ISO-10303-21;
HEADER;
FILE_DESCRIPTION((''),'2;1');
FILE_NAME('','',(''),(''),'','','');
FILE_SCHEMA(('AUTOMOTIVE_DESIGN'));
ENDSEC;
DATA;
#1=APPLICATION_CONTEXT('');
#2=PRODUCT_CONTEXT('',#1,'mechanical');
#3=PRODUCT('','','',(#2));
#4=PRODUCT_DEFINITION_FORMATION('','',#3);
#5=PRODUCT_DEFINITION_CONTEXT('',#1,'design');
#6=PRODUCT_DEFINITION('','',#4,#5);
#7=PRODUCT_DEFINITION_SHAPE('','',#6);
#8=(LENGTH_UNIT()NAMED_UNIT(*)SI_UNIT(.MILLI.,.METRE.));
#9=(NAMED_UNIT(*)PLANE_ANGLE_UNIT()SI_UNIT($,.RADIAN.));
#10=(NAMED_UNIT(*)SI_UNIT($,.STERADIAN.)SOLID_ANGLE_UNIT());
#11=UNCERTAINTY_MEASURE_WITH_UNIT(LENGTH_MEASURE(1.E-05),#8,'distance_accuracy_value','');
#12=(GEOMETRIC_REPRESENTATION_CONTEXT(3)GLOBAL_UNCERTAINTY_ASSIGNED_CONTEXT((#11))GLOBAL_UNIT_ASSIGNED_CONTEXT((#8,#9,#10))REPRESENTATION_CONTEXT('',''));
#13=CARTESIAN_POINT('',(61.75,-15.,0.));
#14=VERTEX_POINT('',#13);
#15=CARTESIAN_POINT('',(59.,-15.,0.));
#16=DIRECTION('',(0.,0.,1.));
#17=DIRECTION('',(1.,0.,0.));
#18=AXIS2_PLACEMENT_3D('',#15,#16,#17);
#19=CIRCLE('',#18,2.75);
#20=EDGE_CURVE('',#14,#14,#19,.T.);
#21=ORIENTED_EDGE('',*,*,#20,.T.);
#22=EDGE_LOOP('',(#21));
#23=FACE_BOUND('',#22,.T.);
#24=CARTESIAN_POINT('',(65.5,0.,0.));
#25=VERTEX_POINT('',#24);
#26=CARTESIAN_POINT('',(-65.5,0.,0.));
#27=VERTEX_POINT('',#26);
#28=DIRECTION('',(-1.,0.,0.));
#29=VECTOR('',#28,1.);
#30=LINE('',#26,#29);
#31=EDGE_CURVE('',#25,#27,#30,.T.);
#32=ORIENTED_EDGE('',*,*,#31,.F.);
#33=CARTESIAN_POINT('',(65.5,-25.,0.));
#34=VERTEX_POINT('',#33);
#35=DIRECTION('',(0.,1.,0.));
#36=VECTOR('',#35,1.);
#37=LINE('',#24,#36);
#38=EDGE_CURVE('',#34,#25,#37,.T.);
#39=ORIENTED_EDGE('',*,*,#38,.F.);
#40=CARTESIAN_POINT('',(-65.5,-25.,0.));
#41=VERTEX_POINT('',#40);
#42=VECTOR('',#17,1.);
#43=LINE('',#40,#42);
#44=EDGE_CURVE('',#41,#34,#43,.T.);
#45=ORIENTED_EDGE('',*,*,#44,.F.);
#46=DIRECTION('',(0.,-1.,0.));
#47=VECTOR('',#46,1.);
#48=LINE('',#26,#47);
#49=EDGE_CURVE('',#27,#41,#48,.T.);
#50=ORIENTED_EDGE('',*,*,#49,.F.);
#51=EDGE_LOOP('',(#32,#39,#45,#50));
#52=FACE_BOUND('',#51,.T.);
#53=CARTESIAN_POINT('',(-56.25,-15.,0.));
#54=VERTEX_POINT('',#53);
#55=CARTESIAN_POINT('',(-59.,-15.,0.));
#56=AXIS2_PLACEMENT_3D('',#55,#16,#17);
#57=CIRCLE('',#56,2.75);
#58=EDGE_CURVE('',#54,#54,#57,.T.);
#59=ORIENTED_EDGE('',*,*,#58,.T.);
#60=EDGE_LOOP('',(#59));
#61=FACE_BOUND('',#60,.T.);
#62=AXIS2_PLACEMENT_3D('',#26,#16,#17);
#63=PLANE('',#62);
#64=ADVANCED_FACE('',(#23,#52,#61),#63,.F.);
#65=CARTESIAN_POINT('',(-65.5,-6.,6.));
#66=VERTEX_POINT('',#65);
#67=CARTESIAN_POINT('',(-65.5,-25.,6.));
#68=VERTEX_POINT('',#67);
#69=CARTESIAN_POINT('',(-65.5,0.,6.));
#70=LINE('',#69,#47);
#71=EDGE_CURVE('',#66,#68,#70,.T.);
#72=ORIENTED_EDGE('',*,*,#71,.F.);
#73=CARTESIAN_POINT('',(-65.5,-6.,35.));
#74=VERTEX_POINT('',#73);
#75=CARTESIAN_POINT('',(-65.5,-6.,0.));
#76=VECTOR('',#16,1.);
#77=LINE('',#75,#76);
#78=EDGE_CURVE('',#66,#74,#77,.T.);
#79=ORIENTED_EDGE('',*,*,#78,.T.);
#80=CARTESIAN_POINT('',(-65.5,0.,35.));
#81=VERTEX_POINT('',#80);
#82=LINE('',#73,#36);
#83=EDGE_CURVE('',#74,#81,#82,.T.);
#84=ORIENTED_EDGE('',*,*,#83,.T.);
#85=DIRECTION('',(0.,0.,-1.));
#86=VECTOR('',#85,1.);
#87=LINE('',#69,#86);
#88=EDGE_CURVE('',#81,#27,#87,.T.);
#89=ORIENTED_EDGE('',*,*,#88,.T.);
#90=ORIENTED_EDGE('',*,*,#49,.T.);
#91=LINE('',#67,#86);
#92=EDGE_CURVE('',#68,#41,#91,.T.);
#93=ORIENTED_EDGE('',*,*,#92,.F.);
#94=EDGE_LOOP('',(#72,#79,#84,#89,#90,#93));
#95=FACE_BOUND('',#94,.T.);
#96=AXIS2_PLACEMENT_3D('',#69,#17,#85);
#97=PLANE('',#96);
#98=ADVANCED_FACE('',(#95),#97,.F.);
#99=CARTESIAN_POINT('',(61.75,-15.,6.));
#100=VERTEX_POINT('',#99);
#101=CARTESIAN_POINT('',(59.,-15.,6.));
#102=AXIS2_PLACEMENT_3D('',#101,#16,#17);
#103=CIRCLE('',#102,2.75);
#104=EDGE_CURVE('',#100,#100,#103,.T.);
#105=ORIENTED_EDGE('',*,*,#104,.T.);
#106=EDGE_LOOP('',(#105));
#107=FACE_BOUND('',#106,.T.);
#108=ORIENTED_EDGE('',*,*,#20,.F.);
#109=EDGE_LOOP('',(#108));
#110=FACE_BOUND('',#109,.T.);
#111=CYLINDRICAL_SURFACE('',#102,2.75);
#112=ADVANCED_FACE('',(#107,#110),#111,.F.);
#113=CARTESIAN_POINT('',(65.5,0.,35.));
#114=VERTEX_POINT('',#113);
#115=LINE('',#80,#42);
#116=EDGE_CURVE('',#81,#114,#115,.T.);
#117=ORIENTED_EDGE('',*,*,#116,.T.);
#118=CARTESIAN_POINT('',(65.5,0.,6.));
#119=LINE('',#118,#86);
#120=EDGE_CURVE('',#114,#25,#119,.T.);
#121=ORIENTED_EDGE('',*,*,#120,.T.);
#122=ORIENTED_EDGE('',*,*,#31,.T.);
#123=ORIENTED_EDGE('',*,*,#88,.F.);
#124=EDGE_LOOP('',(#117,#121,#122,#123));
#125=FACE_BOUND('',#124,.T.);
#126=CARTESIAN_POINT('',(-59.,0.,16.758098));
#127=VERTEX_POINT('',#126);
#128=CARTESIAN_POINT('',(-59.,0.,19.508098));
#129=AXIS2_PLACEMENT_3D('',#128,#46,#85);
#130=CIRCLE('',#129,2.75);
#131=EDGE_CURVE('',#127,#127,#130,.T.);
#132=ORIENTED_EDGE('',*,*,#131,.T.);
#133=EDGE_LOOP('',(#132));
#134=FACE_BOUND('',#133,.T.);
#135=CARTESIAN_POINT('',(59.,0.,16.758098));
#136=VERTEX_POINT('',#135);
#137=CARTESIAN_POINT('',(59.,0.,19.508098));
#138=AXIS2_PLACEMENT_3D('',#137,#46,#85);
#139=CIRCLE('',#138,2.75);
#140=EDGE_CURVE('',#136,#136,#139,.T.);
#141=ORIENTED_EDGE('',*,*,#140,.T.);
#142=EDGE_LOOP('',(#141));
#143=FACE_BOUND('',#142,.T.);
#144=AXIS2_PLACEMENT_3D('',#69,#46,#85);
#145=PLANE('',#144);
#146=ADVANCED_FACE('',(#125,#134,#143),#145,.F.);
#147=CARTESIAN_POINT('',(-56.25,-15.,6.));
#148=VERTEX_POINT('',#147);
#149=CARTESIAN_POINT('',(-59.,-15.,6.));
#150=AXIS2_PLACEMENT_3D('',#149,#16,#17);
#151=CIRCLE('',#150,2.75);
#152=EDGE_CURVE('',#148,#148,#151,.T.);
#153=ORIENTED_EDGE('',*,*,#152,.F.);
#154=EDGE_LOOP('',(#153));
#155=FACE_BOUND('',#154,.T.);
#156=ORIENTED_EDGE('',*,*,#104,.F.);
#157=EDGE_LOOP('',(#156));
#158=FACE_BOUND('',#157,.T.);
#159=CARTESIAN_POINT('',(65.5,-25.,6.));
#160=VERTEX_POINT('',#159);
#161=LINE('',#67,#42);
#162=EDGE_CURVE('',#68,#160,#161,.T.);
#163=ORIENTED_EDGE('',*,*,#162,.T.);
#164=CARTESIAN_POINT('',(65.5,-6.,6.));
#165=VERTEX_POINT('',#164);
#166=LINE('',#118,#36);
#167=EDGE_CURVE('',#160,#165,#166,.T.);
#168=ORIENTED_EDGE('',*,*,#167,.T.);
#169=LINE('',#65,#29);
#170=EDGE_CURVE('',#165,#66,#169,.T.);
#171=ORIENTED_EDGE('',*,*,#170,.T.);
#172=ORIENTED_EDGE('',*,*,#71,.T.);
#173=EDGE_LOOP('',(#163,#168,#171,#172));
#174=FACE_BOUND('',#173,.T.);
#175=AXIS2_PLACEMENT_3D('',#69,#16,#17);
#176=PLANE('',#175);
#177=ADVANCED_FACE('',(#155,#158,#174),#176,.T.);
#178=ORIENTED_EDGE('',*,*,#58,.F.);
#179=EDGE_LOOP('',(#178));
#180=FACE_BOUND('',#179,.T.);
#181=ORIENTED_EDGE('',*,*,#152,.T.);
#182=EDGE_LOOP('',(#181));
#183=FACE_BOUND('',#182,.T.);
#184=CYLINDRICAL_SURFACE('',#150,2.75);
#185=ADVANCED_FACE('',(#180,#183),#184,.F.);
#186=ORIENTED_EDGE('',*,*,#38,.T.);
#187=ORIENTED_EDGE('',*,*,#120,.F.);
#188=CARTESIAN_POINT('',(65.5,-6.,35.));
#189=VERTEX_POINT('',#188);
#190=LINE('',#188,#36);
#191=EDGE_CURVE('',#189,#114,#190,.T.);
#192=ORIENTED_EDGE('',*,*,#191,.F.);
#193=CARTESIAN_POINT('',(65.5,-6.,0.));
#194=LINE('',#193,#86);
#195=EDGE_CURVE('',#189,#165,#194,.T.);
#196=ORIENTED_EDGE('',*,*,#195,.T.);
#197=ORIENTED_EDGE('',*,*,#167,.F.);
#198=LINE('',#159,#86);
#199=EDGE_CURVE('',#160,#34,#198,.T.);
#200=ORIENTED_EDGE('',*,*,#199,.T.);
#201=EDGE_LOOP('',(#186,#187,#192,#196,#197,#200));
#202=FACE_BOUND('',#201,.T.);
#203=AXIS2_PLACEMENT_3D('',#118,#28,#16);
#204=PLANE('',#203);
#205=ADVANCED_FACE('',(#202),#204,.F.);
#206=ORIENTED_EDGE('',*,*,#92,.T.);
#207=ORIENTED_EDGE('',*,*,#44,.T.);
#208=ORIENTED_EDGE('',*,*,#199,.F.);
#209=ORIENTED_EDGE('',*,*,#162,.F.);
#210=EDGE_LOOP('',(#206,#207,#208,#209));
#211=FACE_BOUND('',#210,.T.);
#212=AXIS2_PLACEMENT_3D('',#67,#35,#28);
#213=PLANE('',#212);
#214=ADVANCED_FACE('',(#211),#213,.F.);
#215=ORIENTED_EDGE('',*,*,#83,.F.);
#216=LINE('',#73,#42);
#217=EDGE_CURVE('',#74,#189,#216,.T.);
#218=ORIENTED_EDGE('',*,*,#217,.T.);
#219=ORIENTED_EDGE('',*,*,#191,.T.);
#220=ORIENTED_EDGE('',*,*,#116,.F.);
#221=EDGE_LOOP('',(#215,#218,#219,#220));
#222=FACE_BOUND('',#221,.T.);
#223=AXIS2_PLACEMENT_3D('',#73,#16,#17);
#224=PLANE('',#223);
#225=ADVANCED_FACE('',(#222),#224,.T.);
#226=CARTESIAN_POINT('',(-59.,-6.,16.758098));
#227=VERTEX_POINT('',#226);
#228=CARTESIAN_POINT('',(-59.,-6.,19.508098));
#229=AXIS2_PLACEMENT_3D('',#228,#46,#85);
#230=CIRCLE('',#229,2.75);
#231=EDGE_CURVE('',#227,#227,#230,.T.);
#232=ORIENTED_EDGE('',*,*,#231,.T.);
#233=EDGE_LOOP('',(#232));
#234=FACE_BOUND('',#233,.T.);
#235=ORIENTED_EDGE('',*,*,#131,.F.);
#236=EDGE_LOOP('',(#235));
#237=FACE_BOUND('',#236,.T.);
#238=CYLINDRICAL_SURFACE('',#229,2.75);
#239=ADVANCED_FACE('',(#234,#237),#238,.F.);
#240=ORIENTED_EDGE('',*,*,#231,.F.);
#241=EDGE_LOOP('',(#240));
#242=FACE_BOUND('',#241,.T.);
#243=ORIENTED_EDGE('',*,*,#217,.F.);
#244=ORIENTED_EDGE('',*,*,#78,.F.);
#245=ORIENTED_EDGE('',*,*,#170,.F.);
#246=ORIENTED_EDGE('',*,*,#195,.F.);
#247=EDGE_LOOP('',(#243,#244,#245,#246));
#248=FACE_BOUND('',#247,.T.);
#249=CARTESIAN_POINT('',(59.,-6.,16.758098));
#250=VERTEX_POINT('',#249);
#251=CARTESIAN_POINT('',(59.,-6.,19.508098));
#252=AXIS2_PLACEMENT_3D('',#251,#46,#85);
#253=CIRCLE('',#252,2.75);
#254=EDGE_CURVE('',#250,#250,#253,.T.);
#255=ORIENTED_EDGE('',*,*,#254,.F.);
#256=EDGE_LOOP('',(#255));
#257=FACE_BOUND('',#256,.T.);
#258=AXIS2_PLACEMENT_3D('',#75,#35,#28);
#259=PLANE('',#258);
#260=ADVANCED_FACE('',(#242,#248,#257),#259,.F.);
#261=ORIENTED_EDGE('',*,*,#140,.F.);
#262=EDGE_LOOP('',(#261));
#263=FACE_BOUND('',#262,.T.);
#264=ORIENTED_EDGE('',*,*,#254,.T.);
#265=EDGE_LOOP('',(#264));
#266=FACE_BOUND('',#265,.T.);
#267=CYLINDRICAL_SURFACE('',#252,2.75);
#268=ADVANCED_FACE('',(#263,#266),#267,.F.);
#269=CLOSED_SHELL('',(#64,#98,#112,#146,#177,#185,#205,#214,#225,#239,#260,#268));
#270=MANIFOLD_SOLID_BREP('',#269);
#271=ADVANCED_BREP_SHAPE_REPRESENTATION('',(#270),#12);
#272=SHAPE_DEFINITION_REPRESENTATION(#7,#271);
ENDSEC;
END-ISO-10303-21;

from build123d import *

# Parameters (mm, degrees)
SKETCH1_W                = 131
SKETCH1_H                = 25
EXTRUDE1_DEPTH           = 6
SKETCH2_W                = 131
SKETCH2_H                = 35
EXTRUDE2_DEPTH           = 6
M5_CLEARANCE_HOLE1_D     = 5.5
M5_CLEARANCE_HOLE1_DEPTH = 10
M5_CLEARANCE_HOLE1_TIP   = 1.652366702
M5_CLEARANCE_HOLE2_D     = 5.5
M5_CLEARANCE_HOLE2_DEPTH = 10
M5_CLEARANCE_HOLE2_TIP   = 1.652366702


with BuildPart() as part:
    # Sketch1 → Extrude1 (new body)
    with BuildSketch(Plane.XY):
        with Locations((0, -12.5)):
            Rectangle(SKETCH1_W, SKETCH1_H)
    extrude(amount=EXTRUDE1_DEPTH)

    # Sketch2 → Extrude2 (add)
    with BuildSketch(Plane(origin=(0, 0, 0), x_dir=(-1, 0, 0), z_dir=(0, 1, 0))):
        with Locations((0, 17.5)):
            Rectangle(SKETCH2_W, SKETCH2_H)
    extrude(amount=-EXTRUDE2_DEPTH)

    # M5 Clearance Hole1
    with Locations(Plane.XY.offset(6)):
        with Locations((59, -15), (-59, -15)):
            Hole(M5_CLEARANCE_HOLE1_D / 2, depth=M5_CLEARANCE_HOLE1_DEPTH)
            with Locations((0, 0, -(M5_CLEARANCE_HOLE1_DEPTH + M5_CLEARANCE_HOLE1_TIP / 2))):  # 118° drill point
                Cone(0, M5_CLEARANCE_HOLE1_D / 2, M5_CLEARANCE_HOLE1_TIP, mode=Mode.SUBTRACT)

    # M5 Clearance Hole2
    with Locations(Plane(origin=(0.415083287, -6, 44.50809769), x_dir=(1, 0, 0), z_dir=(0, -1, 0))):
        with Locations((58.584916713, -25), (-59.415083287, -25)):
            Hole(M5_CLEARANCE_HOLE2_D / 2, depth=M5_CLEARANCE_HOLE2_DEPTH)
            with Locations((0, 0, -(M5_CLEARANCE_HOLE2_DEPTH + M5_CLEARANCE_HOLE2_TIP / 2))):  # 118° drill point
                Cone(0, M5_CLEARANCE_HOLE2_D / 2, M5_CLEARANCE_HOLE2_TIP, mode=Mode.SUBTRACT)


solid = part.part
